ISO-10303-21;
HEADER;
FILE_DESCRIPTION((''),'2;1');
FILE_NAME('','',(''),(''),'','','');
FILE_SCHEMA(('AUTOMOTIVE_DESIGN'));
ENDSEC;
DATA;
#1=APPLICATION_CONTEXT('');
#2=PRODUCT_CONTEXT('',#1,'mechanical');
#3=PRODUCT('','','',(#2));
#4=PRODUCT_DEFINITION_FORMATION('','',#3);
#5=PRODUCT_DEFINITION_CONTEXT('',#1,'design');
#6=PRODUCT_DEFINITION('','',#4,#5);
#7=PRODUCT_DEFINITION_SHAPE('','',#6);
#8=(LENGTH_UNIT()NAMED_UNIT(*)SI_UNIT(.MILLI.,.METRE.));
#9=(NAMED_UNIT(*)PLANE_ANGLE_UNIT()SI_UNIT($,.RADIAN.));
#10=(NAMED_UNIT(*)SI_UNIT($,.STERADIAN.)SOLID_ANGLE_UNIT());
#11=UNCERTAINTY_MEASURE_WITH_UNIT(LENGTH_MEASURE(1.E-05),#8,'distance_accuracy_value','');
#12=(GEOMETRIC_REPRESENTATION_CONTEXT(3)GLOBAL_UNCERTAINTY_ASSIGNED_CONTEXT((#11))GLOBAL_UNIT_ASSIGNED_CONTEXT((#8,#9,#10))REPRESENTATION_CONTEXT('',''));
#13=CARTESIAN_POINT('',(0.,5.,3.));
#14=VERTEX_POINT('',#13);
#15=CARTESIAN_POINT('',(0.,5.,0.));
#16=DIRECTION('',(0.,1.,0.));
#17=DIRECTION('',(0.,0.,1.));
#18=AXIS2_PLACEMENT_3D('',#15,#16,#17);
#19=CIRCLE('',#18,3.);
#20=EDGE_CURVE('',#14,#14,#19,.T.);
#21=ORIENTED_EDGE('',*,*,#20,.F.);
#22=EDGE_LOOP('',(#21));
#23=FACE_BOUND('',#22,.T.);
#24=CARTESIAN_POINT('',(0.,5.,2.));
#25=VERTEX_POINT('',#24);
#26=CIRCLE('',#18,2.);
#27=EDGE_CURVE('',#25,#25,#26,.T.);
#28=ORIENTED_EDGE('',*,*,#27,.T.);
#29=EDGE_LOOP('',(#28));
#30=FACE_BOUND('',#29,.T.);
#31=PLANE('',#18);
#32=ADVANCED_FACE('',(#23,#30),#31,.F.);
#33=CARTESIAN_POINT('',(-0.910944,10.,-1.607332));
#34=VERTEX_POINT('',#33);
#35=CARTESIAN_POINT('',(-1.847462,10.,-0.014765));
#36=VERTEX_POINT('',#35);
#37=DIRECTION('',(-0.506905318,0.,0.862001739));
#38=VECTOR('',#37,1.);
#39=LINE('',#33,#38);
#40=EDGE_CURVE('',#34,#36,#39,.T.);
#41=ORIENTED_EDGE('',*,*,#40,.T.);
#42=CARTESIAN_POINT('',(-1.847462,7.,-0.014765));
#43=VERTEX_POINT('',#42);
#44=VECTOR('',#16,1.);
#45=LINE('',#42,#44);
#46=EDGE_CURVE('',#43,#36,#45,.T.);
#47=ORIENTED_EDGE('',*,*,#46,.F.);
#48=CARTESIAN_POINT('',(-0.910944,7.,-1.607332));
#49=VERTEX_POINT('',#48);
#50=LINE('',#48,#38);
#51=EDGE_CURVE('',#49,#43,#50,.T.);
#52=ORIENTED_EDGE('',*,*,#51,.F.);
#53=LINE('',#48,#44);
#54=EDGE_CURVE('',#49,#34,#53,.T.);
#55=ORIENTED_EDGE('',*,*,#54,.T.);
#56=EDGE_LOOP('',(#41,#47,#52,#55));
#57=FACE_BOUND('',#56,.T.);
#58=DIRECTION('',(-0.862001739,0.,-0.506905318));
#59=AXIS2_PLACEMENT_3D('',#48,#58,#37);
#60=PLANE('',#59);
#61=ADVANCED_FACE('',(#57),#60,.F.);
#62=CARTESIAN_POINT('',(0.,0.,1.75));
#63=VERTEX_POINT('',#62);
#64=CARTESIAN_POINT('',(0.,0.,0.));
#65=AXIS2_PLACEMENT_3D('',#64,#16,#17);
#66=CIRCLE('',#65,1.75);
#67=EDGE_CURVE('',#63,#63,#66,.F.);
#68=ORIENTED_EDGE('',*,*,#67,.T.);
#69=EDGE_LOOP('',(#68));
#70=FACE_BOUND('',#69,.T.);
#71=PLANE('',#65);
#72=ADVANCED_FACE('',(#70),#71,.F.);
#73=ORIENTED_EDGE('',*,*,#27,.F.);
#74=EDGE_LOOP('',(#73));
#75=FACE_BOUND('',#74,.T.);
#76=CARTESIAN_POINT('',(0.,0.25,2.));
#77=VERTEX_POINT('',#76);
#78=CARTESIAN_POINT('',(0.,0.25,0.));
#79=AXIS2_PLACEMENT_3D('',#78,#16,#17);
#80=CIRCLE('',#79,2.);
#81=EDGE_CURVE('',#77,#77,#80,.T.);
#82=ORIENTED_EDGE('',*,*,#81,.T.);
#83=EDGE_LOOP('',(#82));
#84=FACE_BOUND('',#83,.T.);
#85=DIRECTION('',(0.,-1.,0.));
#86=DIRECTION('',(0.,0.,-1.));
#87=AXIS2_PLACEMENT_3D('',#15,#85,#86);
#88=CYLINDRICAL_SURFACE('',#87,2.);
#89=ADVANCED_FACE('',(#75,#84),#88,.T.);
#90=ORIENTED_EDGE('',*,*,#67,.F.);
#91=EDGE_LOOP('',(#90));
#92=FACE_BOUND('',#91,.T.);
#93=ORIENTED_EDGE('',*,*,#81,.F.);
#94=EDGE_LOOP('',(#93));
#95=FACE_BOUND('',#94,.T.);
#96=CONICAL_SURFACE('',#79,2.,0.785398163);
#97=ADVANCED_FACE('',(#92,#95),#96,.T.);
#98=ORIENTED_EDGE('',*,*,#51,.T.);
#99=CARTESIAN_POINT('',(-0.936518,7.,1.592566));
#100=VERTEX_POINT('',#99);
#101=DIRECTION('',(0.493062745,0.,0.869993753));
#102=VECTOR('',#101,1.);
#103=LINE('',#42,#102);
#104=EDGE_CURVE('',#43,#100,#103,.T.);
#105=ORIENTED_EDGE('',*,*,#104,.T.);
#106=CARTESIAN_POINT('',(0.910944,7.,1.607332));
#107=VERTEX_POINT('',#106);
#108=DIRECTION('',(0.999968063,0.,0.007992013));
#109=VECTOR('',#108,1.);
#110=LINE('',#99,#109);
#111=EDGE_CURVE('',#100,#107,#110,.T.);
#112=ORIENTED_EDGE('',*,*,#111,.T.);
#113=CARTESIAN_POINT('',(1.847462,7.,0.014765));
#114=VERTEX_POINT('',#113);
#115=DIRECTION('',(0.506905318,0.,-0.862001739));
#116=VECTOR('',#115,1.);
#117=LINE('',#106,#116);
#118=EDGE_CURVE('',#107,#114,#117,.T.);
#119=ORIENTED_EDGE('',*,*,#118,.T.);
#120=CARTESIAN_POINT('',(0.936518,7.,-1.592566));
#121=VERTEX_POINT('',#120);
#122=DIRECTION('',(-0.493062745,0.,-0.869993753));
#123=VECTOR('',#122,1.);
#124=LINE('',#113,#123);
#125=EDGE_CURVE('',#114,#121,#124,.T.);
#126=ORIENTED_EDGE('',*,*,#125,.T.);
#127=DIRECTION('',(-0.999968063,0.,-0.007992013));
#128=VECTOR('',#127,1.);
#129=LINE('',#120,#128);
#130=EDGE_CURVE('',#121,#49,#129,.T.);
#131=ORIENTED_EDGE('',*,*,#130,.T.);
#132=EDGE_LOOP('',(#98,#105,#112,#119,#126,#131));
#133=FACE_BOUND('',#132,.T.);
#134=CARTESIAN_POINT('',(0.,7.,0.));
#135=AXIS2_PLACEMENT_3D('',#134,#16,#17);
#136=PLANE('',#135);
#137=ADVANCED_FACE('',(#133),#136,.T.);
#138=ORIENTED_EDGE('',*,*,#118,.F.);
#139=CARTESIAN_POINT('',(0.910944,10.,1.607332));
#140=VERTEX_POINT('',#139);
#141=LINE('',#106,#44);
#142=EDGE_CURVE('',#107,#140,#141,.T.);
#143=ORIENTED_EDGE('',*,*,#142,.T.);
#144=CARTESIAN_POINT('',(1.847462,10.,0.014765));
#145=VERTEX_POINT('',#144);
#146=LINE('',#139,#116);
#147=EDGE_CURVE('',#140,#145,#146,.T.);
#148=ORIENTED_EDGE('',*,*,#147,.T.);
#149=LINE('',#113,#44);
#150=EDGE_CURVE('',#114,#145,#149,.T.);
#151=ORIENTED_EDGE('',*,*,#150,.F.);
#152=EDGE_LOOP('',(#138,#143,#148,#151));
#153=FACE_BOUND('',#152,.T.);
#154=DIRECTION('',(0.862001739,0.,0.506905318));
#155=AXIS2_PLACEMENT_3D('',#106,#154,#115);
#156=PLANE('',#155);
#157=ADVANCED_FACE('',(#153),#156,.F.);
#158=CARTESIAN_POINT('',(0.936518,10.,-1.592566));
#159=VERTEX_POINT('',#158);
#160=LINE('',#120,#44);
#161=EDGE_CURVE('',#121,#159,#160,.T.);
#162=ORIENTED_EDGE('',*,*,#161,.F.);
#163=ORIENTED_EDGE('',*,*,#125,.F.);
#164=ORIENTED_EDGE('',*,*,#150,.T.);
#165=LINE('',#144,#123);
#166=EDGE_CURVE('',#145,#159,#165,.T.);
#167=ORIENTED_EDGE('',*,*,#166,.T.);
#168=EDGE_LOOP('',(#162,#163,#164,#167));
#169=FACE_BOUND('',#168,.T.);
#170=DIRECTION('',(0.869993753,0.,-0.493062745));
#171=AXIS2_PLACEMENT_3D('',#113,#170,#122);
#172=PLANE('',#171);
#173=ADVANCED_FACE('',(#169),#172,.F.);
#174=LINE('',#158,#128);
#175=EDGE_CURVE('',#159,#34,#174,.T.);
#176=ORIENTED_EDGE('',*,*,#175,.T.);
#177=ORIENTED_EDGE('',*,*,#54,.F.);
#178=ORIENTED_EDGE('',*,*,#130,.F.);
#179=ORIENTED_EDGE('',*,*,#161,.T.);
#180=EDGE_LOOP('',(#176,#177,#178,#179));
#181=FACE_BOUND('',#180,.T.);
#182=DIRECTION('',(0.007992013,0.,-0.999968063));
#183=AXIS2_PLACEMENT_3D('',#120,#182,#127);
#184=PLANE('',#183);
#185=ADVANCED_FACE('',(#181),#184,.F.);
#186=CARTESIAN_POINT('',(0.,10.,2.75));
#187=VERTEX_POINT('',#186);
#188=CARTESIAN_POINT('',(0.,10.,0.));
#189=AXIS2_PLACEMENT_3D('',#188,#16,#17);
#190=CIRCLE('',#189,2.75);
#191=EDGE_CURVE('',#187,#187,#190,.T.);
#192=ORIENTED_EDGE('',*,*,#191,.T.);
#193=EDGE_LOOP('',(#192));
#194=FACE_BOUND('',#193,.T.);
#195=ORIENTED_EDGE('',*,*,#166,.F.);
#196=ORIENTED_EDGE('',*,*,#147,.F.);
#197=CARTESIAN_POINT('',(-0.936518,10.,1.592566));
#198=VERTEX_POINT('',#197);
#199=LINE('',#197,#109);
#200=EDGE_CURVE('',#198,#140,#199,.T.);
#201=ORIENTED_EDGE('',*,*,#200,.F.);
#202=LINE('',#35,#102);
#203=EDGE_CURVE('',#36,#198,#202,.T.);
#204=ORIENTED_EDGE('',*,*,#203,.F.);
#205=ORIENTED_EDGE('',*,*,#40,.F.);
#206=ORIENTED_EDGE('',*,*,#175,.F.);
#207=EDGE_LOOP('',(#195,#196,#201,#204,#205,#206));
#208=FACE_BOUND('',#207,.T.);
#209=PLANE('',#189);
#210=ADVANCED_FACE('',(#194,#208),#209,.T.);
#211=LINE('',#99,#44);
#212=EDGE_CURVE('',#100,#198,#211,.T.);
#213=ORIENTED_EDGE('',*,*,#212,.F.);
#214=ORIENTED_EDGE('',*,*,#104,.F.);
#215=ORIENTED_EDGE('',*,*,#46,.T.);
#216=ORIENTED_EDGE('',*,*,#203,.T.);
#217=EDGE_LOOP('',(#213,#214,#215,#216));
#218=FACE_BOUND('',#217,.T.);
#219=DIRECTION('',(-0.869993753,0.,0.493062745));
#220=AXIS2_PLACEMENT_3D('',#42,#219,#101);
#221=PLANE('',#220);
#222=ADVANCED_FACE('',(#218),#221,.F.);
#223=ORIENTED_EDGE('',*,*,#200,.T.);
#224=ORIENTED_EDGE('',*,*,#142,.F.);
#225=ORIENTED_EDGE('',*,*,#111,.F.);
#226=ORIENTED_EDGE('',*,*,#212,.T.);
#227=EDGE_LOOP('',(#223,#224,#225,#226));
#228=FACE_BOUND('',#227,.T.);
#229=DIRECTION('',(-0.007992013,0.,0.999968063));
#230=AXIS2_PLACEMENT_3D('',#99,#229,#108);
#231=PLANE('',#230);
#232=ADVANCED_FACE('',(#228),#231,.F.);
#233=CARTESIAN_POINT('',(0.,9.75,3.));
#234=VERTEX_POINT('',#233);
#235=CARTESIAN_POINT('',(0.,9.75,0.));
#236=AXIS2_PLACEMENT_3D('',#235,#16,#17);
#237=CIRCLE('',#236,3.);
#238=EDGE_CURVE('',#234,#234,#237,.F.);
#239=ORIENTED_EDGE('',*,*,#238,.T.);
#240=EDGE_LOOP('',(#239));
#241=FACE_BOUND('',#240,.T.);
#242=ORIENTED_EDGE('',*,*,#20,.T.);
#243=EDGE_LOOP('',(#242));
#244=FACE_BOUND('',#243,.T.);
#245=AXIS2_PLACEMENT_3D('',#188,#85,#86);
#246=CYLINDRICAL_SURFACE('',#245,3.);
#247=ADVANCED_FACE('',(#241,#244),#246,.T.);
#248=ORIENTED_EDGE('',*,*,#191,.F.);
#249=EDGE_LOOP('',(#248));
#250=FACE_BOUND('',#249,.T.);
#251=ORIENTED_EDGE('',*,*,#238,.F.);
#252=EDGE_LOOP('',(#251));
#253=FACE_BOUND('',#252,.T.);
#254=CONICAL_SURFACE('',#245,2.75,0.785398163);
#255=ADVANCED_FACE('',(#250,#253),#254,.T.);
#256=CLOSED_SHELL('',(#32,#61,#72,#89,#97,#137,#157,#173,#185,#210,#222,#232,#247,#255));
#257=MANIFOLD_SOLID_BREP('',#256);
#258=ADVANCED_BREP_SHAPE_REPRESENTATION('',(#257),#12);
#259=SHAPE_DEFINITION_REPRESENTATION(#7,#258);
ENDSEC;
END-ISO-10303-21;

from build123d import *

# Parameters (mm, degrees)
SKICA1_R                 = 2
P_IDAT_VYSUNUT_M1_DEPTH  = 5
SKICA2_R                 = 3
P_IDAT_VYSUNUT_M2_DEPTH  = 5
ODEBRAT_VYSUNUT_M1_DEPTH = 3
ZKOSEN_1_SIZE            = 0.25


with BuildPart() as part:
    # Skica1 → Přidat vysunutím1 (new body)
    with BuildSketch(Plane(origin=(0, 0, 0), x_dir=(1, 0, 0), z_dir=(0, 1, 0))):
        with Locations(Location((0, 0, 0), (0, 0, 270))):
            Circle(SKICA1_R)
    extrude(amount=P_IDAT_VYSUNUT_M1_DEPTH)

    # Skica2 → Přidat vysunutím2 (add)
    with BuildSketch(Plane(origin=(0, 5, 0), x_dir=(1, 0, 0), z_dir=(0, 1, 0))):
        with Locations(Location((0, 0, 0), (0, 0, 270))):
            Circle(SKICA2_R)
    extrude(amount=P_IDAT_VYSUNUT_M2_DEPTH)

    # Skica3 → Odebrat vysunutím1 (cut)
    with BuildSketch(Plane(origin=(0, 10, 0), x_dir=(1, 0, 0), z_dir=(0, 1, 0))):
        Polygon((-0.93651815, -1.592566196), (0.910943707, -1.607331607), (1.847461858, -0.014765412), (0.93651815, 1.592566196), (-0.910943707, 1.607331607), (-1.847461858, 0.014765412), align=None)
    extrude(amount=-ODEBRAT_VYSUNUT_M1_DEPTH, mode=Mode.SUBTRACT)

    # Zkosení1
    zkosen_1_edges = [part.edges().sort_by_distance(p)[0] for p in [
        (0, 0, -2),
        (0, 10, -3),
    ]]
    chamfer(zkosen_1_edges, length=ZKOSEN_1_SIZE)


solid = part.part
